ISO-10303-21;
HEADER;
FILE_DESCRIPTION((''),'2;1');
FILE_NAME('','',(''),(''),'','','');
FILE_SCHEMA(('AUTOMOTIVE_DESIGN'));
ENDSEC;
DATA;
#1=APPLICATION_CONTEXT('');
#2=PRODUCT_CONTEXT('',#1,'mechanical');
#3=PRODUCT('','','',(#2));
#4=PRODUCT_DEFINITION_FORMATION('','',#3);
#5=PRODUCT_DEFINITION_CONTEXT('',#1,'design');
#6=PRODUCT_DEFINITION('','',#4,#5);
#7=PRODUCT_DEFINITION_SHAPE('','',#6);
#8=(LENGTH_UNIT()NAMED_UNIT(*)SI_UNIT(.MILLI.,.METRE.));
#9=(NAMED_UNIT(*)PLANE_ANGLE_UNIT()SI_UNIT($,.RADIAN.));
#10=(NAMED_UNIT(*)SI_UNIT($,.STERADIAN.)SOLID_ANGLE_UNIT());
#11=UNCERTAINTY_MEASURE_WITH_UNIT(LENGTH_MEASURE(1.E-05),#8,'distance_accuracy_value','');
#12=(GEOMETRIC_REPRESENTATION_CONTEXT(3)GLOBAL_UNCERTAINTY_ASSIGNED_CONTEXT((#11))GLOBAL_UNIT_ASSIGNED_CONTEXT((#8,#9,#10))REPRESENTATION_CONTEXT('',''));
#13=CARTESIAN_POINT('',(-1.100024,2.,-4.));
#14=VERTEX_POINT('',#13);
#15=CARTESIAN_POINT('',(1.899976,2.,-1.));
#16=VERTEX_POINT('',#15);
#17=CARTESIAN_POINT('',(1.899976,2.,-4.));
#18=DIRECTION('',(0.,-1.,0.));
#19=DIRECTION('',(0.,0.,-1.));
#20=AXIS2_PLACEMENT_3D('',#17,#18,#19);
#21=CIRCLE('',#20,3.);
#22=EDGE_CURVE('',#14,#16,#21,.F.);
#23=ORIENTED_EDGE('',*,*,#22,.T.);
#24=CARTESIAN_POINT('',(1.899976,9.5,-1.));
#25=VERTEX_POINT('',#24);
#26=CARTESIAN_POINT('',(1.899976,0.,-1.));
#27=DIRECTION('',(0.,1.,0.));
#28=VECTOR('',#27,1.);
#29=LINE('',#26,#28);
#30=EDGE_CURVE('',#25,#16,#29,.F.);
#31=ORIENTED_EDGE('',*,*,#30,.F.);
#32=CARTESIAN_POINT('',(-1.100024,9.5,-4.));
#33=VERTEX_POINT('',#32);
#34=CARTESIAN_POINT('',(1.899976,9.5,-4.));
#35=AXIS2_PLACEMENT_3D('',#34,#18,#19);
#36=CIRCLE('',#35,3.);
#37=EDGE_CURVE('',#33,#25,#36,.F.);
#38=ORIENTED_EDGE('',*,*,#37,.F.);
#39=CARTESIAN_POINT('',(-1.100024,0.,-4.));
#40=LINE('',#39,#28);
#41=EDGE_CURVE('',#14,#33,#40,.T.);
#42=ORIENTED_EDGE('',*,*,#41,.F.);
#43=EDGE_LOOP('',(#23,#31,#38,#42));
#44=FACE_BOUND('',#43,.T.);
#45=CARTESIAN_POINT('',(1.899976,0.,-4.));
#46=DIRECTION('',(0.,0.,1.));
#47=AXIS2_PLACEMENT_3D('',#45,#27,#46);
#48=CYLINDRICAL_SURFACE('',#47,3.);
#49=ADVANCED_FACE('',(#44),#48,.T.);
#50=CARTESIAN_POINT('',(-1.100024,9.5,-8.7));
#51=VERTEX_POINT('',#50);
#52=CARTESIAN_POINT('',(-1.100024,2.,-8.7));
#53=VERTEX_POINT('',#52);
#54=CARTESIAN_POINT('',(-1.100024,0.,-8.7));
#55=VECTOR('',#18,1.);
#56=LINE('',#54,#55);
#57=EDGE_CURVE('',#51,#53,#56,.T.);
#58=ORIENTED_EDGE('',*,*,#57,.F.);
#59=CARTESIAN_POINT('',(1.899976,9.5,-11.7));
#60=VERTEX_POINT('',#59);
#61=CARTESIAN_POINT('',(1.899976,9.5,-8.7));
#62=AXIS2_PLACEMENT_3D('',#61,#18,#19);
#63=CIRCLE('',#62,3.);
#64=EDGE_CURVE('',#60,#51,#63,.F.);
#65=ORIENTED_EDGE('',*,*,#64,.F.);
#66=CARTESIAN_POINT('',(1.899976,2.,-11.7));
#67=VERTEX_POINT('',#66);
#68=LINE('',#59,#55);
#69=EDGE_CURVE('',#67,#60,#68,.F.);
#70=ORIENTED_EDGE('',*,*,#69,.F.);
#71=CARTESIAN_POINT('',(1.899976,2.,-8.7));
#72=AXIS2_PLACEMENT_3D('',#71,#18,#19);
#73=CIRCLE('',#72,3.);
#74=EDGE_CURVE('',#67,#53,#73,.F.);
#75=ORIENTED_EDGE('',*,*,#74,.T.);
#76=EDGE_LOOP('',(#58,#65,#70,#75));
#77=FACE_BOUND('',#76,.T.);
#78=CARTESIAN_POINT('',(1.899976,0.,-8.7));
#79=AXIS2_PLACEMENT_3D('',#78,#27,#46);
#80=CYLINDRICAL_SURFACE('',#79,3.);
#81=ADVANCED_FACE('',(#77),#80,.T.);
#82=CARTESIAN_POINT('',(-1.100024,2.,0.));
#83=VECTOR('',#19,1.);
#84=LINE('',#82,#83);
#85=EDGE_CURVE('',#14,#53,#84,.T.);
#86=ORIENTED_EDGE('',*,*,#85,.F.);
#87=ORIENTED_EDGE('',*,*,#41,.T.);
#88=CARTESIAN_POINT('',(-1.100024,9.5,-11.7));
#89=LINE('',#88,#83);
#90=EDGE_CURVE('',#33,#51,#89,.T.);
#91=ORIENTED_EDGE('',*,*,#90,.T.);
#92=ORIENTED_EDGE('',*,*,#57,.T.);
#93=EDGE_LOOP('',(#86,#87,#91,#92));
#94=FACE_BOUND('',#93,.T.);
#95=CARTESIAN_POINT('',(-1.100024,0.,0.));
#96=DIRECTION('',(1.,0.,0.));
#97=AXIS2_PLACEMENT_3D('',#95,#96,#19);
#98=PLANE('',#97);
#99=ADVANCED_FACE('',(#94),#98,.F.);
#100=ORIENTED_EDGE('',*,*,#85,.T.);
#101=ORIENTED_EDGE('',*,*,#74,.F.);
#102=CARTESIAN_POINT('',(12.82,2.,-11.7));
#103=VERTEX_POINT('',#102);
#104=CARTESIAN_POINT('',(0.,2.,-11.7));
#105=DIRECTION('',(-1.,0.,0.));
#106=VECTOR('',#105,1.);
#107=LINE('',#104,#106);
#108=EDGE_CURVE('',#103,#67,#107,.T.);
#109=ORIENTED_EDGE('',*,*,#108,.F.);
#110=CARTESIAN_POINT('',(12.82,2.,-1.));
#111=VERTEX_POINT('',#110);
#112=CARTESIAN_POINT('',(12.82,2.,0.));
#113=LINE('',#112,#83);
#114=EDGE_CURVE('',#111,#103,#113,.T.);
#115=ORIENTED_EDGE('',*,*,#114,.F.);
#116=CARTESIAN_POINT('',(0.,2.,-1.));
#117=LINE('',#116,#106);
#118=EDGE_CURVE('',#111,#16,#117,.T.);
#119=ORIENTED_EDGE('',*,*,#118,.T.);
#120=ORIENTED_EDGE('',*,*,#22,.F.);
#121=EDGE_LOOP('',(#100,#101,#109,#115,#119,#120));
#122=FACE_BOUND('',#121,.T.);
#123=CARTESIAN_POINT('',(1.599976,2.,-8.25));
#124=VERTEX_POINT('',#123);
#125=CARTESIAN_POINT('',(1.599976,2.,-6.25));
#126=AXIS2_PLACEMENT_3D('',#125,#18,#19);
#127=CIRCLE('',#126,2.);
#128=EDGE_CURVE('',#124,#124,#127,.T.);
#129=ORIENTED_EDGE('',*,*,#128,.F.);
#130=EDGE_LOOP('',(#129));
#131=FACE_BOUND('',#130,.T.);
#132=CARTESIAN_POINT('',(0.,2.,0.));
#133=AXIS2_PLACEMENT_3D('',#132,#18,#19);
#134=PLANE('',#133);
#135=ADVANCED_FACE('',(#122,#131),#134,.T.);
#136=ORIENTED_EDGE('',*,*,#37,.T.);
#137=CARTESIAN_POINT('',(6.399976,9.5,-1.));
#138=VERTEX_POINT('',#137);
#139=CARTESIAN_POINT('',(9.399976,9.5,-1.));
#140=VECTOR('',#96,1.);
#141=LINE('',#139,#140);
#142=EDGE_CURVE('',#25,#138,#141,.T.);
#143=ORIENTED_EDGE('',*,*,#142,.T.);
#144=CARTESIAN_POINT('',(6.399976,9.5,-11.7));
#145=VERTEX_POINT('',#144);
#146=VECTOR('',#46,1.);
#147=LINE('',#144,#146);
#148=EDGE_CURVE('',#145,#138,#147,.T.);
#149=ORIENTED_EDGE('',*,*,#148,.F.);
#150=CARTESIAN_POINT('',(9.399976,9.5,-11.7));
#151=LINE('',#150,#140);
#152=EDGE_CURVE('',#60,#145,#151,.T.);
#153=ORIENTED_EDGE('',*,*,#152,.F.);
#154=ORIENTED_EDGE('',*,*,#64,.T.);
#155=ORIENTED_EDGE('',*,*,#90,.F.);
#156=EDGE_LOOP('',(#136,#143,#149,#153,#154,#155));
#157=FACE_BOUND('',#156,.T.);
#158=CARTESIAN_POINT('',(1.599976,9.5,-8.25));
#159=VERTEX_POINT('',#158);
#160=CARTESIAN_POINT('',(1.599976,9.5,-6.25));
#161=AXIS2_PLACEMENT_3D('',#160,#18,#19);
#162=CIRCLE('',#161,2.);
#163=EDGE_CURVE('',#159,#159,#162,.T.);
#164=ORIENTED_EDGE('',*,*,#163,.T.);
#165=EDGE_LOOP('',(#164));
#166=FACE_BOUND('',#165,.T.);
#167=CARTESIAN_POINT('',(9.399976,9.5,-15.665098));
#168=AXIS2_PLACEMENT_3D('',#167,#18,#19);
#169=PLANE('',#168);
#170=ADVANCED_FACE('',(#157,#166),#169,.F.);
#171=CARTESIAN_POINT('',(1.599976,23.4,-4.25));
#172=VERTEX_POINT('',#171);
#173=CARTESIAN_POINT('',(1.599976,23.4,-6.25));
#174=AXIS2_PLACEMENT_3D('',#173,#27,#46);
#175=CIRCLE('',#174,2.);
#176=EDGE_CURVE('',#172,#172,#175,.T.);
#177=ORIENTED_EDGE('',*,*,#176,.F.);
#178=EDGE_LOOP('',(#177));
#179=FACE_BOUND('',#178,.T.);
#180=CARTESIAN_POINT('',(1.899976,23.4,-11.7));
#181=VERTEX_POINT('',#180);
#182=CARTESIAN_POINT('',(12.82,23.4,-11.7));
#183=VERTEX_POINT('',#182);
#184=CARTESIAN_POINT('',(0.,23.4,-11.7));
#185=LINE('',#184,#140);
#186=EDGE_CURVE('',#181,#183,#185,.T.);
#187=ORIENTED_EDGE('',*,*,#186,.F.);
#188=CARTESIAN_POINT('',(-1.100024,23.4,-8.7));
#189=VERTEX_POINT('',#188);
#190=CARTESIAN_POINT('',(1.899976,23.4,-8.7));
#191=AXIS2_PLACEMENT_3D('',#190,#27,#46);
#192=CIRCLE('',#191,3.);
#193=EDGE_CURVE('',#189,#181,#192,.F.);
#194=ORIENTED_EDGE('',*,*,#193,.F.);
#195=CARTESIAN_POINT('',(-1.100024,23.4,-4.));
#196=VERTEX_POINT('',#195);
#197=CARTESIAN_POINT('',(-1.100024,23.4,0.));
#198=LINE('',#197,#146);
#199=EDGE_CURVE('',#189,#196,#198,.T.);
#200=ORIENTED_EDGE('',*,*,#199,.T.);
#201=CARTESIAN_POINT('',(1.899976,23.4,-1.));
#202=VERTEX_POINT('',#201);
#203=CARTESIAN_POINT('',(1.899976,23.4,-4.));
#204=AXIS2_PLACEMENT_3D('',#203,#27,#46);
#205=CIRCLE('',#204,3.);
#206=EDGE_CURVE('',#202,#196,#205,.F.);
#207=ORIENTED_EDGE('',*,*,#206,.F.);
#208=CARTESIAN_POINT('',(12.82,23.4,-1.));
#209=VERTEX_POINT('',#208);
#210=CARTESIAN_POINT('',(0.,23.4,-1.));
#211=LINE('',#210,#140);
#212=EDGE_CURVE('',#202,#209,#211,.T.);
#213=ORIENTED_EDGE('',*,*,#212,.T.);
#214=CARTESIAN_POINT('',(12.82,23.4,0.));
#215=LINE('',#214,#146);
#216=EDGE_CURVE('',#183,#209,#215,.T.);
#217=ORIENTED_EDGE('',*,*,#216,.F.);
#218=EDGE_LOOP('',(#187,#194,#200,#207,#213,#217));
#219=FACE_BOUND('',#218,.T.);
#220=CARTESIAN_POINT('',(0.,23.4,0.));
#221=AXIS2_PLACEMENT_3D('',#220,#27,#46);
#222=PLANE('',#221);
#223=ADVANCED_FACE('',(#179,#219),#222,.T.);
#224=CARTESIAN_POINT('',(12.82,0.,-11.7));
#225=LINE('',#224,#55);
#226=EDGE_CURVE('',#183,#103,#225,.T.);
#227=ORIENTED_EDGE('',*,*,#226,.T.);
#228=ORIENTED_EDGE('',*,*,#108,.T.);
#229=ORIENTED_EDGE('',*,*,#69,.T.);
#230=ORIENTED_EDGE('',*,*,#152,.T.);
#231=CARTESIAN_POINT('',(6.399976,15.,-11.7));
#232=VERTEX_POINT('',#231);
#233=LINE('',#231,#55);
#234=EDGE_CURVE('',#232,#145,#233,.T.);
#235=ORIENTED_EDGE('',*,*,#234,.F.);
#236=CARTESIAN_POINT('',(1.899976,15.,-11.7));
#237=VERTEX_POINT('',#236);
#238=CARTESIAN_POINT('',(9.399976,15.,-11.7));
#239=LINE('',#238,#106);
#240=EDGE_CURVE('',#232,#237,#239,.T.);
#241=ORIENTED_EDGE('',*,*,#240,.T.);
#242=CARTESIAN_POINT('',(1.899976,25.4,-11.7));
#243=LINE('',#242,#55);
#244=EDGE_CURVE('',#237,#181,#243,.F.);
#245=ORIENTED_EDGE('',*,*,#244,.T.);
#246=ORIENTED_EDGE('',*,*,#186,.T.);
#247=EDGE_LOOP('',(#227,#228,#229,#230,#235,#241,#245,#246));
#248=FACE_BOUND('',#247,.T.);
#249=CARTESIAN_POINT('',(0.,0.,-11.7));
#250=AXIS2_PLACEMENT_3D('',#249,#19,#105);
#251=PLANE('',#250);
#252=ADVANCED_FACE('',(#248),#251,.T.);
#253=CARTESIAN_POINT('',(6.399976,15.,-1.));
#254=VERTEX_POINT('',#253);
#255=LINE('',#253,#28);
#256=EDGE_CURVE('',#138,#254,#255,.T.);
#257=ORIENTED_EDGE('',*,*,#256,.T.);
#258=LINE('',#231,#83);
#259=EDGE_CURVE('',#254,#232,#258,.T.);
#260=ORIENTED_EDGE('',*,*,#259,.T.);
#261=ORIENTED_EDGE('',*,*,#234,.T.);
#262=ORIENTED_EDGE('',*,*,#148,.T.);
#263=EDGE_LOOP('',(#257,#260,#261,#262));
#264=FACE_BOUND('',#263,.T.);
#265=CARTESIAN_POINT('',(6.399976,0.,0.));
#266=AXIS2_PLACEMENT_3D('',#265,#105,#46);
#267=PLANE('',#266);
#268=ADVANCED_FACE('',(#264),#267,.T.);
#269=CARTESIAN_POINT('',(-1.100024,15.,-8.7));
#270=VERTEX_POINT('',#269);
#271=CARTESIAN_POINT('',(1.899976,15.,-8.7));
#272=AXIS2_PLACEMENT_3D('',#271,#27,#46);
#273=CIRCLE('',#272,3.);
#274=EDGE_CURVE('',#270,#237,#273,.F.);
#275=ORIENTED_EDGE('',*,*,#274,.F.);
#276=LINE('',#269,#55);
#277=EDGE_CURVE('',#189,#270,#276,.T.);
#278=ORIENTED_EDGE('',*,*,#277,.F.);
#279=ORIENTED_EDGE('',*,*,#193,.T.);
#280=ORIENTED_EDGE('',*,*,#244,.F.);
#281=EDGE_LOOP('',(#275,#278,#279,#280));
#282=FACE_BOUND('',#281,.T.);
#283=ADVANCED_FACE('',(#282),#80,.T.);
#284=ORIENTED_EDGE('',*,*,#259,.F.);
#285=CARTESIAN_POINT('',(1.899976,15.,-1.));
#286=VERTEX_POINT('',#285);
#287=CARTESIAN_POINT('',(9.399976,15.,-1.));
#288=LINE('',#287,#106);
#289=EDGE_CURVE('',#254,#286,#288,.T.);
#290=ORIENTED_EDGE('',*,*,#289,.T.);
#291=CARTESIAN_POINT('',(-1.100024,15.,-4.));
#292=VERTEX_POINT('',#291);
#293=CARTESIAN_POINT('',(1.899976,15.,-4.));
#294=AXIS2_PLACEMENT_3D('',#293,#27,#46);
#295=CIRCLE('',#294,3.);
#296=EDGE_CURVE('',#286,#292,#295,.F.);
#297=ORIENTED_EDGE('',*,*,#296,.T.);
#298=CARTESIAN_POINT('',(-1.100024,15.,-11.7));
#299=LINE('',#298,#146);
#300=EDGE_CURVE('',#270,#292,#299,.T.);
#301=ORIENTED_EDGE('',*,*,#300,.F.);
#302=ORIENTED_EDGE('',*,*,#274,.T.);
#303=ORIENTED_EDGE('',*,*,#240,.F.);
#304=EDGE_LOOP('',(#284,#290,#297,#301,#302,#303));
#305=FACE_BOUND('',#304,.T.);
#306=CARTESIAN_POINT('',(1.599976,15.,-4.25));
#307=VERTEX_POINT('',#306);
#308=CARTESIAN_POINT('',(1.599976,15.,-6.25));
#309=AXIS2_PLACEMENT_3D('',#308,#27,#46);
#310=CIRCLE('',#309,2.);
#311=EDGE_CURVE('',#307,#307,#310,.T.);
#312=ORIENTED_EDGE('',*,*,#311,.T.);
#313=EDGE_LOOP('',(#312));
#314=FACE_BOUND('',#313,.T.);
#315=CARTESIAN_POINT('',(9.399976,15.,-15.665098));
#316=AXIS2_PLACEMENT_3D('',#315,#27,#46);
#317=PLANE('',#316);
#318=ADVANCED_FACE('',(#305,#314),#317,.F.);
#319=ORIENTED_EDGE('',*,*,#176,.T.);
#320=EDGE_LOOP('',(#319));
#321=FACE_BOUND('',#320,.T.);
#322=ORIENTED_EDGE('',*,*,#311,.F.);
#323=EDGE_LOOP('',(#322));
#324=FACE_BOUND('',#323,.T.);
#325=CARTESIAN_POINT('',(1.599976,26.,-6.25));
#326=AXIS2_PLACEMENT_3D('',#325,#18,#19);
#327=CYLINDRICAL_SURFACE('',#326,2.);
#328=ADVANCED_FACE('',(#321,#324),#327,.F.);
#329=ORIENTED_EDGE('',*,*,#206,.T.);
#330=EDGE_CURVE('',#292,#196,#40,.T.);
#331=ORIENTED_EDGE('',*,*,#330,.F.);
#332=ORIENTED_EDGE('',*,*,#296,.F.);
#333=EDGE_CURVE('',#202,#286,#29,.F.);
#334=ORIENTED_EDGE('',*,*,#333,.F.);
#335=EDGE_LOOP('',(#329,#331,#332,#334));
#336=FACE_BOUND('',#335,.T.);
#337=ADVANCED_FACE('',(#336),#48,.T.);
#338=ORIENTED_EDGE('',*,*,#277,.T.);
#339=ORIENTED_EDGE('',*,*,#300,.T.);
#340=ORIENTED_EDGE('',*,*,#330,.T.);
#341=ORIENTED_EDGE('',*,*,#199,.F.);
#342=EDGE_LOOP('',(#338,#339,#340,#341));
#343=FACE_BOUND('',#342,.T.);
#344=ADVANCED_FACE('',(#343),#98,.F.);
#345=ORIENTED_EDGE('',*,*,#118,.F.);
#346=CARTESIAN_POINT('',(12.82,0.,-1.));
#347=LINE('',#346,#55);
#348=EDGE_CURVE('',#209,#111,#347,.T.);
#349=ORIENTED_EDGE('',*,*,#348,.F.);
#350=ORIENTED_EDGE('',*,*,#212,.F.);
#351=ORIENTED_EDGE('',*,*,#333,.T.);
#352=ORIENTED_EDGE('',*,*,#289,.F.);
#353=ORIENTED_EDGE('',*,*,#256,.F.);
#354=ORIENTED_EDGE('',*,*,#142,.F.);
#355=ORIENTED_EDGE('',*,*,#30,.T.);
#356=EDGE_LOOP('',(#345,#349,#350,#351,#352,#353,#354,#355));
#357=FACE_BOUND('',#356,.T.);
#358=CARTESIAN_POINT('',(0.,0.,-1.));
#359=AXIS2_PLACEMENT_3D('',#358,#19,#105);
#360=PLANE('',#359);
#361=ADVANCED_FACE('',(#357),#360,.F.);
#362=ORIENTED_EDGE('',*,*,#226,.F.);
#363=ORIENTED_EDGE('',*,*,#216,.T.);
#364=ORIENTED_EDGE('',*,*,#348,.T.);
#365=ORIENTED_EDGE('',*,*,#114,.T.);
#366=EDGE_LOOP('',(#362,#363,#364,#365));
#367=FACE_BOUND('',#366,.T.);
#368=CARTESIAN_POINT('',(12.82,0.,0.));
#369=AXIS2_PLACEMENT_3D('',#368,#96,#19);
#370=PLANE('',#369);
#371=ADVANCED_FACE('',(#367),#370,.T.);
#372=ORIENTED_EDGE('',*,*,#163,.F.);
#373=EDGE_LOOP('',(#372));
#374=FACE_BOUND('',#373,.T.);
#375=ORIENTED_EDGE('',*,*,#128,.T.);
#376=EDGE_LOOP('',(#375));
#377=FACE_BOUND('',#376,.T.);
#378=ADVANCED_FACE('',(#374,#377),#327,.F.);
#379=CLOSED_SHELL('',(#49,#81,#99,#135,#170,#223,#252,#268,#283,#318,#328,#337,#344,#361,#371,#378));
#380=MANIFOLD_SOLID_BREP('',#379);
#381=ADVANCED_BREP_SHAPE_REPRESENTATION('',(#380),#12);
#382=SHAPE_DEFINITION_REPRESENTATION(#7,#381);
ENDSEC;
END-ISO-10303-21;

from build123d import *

# Parameters (mm, degrees)
BOSS_EXTRUDE4_DEPTH = 25.4
SKETCH3_R           = 2
CUT_EXTRUDE1_DEPTH  = 25.4
SKETCH5_W           = 54.299093249
SKETCH5_H           = 94.215662961
CUT_EXTRUDE2_DEPTH  = 4.5
SKETCH7_W           = 18.693193774
SKETCH7_H           = 5.5
CUT_EXTRUDE3_DEPTH  = 14.5
SKETCH9_W           = 36.111652001
SKETCH9_H           = 33.164105193
CUT_EXTRUDE4_DEPTH  = 1
SKETCH10_W          = 62.791660767
SKETCH10_H          = 37.243179947
CUT_EXTRUDE6_DEPTH  = 1
FILLET2_R           = 3
SKETCH11_W          = 10.7
SKETCH11_H          = 5.5
BOSS_EXTRUDE5_DEPTH = 2
SKETCH12_W          = 13.41826103
SKETCH12_H          = 56.552103836
CUT_EXTRUDE7_DEPTH  = 10
SKETCH14_W          = 10.7
SKETCH14_H          = 5.5
BOSS_EXTRUDE7_DEPTH = 2
SKETCH15_W          = 10.7
SKETCH15_H          = 9.5
BOSS_EXTRUDE8_DEPTH = 6
SKETCH16_W          = 10.7
SKETCH16_H          = 10.4
BOSS_EXTRUDE9_DEPTH = 6
FILLET3_R           = 3
SKETCH18_W          = 10.7
SKETCH18_H          = 5.5
CUT_EXTRUDE8_DEPTH  = 1
SKETCH21_W          = 35.797160714
SKETCH21_H          = 35.29022369
CUT_EXTRUDE9_DEPTH  = 3
SKETCH22_W          = 25.937316652
SKETCH22_H          = 36.458252548
CUT_EXTRUDE10_DEPTH = 2
SKETCH23_W          = 31.218703754
SKETCH23_H          = 37.872657663
CUT_EXTRUDE11_DEPTH = 2
SKETCH24_R          = 2
CUT_EXTRUDE12_DEPTH = 24


with BuildPart() as part:
    # Sketch1 → Boss-Extrude4 (new body)
    with BuildSketch(Plane(origin=(0, 0, 0), x_dir=(1, 0, 0), z_dir=(0, 1, 0))):
        with BuildLine():
            Line((0.717280831, 0), (0, 0))
            Line((0, 0), (0, 9.078373892))
            ThreePointArc((0, 9.078373892), (-0.063231401, 9.104565196), (-0.089422705, 9.167796597))
            Line((-0.089422705, 9.167796597), (-0.089422705, 9.317189397))
            ThreePointArc((-0.089422705, 9.317189397), (-0.063231401, 9.380420798), (0, 9.406612102))
            Line((0, 9.406612102), (0, 12.7))
            Line((0, 12.7), (0.98359831, 12.7))
            ThreePointArc((0.98359831, 12.7), (-3.239897706, 11.634417694), (-5.100024486, 7.695723417))
            Line((-5.100024486, 7.695723417), (-5.100024486, 5.049332428))
            ThreePointArc((-5.100024486, 5.049332428), (-3.343059972, 1.197813276), (0.717280831, 0))
        make_face()
        with BuildLine():
            Line((0, 9.078373892), (0, 0))
            Line((0, 0), (0.717280831, 0))
            ThreePointArc((0.717280831, 0), (3.851519152, 1.706272455), (5.100024486, 5.049332428))
            Line((5.100024486, 5.049332428), (5.100024486, 7.695723417))
            ThreePointArc((5.100024486, 7.695723417), (3.938694277, 10.935621123), (0.98359831, 12.7))
            Line((0.98359831, 12.7), (0, 12.7))
            Line((0, 12.7), (0, 9.406612102))
            ThreePointArc((0, 9.406612102), (0.063231401, 9.380420798), (0.089422705, 9.317189397))
            Line((0.089422705, 9.317189397), (0.089422705, 9.167796597))
            ThreePointArc((0.089422705, 9.167796597), (0.063231401, 9.104565196), (0, 9.078373892))
        make_face()
        with BuildLine():
            ThreePointArc((5.100024486, 5.049332428), (3.851519152, 1.706272455), (0.717280831, 0))
            Line((0.717280831, 0), (20.32, 0))
            Line((20.32, 0), (20.32, 12.7))
            Line((20.32, 12.7), (0.98359831, 12.7))
            ThreePointArc((0.98359831, 12.7), (3.938694277, 10.935621123), (5.100024486, 7.695723417))
            Line((5.100024486, 7.695723417), (5.100024486, 5.049332428))
        make_face()
    extrude(amount=BOSS_EXTRUDE4_DEPTH)

    # Sketch3 → Cut-Extrude1 (cut)
    with BuildSketch(Plane(origin=(0, 25.4, 0), x_dir=(1, 0, 0), z_dir=(0, 1, 0))):
        with Locations(Location((0, 6.163356084, 0), (0, 0, 270))):
            Circle(SKETCH3_R)
    extrude(amount=-CUT_EXTRUDE1_DEPTH, mode=Mode.SUBTRACT)

    # Sketch5 → Cut-Extrude2 (cut)
    with BuildSketch(Plane(origin=(20.32, 0, 0), x_dir=(0, 0, -1), z_dir=(1, 0, 0))):
        with Locations((11.125522758, -8.280714776)):
            Rectangle(SKETCH5_W, SKETCH5_H)
    extrude(amount=-CUT_EXTRUDE2_DEPTH, mode=Mode.SUBTRACT)

    # Sketch7 → Cut-Extrude3 (cut)
    with BuildSketch(Plane.ZY.offset(5.100024486)):
        with Locations((-6.318501351, 12.25)):
            Rectangle(SKETCH7_W, SKETCH7_H)
    extrude(amount=-CUT_EXTRUDE3_DEPTH, mode=Mode.SUBTRACT)

    # Sketch9 → Cut-Extrude4 (cut)
    with BuildSketch(Plane(origin=(0, 0, -12.7), x_dir=(-1, 0, 0), z_dir=(0, 0, -1))):
        with Locations((-4.511590843, 12.177462725)):
            Rectangle(SKETCH9_W, SKETCH9_H)
    extrude(amount=-CUT_EXTRUDE4_DEPTH, mode=Mode.SUBTRACT)


with BuildPart() as body_2:
    # of the pieces the cut leaves, the one that is kept (cut_extrude4_keep)
    add(part.part.solids().sort_by_distance((-0.089422705, 0, -9.167796597))[0])

    # Sketch10 → Cut-Extrude6 (cut)
    with BuildSketch(Plane.XY):
        with Locations((3.132657463, 10.976513171)):
            Rectangle(SKETCH10_W, SKETCH10_H)
    extrude(amount=-CUT_EXTRUDE6_DEPTH, mode=Mode.SUBTRACT)


with BuildPart() as body_2_2:
    # of the pieces the cut leaves, the one that is kept (cut_extrude6_keep)
    add(body_2.part.solids().sort_by_distance((-0.089422705, 0, -9.167796597))[0])

    # Fillet2
    fillet2_edges = [body_2_2.edges().sort_by_distance(p)[0] for p in [
        (-3.100509095, 20.2, -1),
        (-3.100509095, 4.75, -1),
        (-3.158483624, 4.75, -11.7),
        (-3.158483624, 20.2, -11.7),
    ]]
    fillet(fillet2_edges, radius=FILLET2_R)

    # Sketch11 → Boss-Extrude5 (add)
    with BuildSketch(Plane.ZY.offset(-9.399975514)):
        with Locations((-6.35, 12.25)):
            Rectangle(SKETCH11_W, SKETCH11_H)
    extrude(amount=BOSS_EXTRUDE5_DEPTH)

    # Sketch12 → Cut-Extrude7 (cut)
    with BuildSketch(Plane.ZY.offset(5.100024486)):
        with Locations((-6.709130515, 16.674143704)):
            Rectangle(SKETCH12_W, SKETCH12_H)
    extrude(amount=-CUT_EXTRUDE7_DEPTH, mode=Mode.SUBTRACT)

    # Sketch14 → Boss-Extrude7 (add)
    with BuildSketch(Plane.ZY.offset(-7.399975514)):
        with Locations((-6.35, 12.25)):
            Rectangle(SKETCH14_W, SKETCH14_H)
    extrude(amount=BOSS_EXTRUDE7_DEPTH)

    # Sketch15 → Boss-Extrude8 (add)
    with BuildSketch(Plane.ZY.offset(-4.899975514)):
        with Locations((-6.35, 4.75)):
            Rectangle(SKETCH15_W, SKETCH15_H)
    extrude(amount=BOSS_EXTRUDE8_DEPTH)

    # Sketch16 → Boss-Extrude9 (add)
    with BuildSketch(Plane.ZY.offset(-4.899975514)):
        with Locations((-6.35, 20.2)):
            Rectangle(SKETCH16_W, SKETCH16_H)
    extrude(amount=BOSS_EXTRUDE9_DEPTH)

    # Fillet3
    fillet3_edges = [body_2_2.edges().sort_by_distance(p)[0] for p in [
        (-1.100024486, 4.75, -11.7),
        (-1.100024486, 4.75, -1),
        (-1.100024486, 20.2, -11.7),
        (-1.100024486, 20.2, -1),
    ]]
    fillet(fillet3_edges, radius=FILLET3_R)

    # Sketch18 → Cut-Extrude8 (cut)
    with BuildSketch(Plane.ZY.offset(-5.399975514)):
        with Locations((-6.35, 12.25)):
            Rectangle(SKETCH18_W, SKETCH18_H)
    extrude(amount=-CUT_EXTRUDE8_DEPTH, mode=Mode.SUBTRACT)

    # Sketch21 → Cut-Extrude9 (cut)
    with BuildSketch(Plane(origin=(15.82, 0, 0), x_dir=(0, 0, -1), z_dir=(1, 0, 0))):
        with Locations((4.247356295, 13.050264646)):
            Rectangle(SKETCH21_W, SKETCH21_H)
    extrude(amount=-CUT_EXTRUDE9_DEPTH, mode=Mode.SUBTRACT)

    # Sketch22 → Cut-Extrude10 (cut)
    with BuildSketch(Plane(origin=(0, 25.4, 0), x_dir=(1, 0, 0), z_dir=(0, 1, 0))):
        with Locations((4.63538262, 4.299284276)):
            Rectangle(SKETCH22_W, SKETCH22_H)
    extrude(amount=-CUT_EXTRUDE10_DEPTH, mode=Mode.SUBTRACT)

    # Sketch23 → Cut-Extrude11 (cut)
    with BuildSketch(Plane.XZ):
        with Locations((9.360738883, -6.802201309)):
            Rectangle(SKETCH23_W, SKETCH23_H)
    extrude(amount=-CUT_EXTRUDE11_DEPTH, mode=Mode.SUBTRACT)

    # Sketch24 → Cut-Extrude12 (cut)
    with BuildSketch(Plane.XZ.offset(-2)):
        with Locations(Location((1.599975514, -6.25, 0), (0, 0, 270))):
            Circle(SKETCH24_R)
    extrude(amount=-CUT_EXTRUDE12_DEPTH, mode=Mode.SUBTRACT)


solid = body_2_2.part
